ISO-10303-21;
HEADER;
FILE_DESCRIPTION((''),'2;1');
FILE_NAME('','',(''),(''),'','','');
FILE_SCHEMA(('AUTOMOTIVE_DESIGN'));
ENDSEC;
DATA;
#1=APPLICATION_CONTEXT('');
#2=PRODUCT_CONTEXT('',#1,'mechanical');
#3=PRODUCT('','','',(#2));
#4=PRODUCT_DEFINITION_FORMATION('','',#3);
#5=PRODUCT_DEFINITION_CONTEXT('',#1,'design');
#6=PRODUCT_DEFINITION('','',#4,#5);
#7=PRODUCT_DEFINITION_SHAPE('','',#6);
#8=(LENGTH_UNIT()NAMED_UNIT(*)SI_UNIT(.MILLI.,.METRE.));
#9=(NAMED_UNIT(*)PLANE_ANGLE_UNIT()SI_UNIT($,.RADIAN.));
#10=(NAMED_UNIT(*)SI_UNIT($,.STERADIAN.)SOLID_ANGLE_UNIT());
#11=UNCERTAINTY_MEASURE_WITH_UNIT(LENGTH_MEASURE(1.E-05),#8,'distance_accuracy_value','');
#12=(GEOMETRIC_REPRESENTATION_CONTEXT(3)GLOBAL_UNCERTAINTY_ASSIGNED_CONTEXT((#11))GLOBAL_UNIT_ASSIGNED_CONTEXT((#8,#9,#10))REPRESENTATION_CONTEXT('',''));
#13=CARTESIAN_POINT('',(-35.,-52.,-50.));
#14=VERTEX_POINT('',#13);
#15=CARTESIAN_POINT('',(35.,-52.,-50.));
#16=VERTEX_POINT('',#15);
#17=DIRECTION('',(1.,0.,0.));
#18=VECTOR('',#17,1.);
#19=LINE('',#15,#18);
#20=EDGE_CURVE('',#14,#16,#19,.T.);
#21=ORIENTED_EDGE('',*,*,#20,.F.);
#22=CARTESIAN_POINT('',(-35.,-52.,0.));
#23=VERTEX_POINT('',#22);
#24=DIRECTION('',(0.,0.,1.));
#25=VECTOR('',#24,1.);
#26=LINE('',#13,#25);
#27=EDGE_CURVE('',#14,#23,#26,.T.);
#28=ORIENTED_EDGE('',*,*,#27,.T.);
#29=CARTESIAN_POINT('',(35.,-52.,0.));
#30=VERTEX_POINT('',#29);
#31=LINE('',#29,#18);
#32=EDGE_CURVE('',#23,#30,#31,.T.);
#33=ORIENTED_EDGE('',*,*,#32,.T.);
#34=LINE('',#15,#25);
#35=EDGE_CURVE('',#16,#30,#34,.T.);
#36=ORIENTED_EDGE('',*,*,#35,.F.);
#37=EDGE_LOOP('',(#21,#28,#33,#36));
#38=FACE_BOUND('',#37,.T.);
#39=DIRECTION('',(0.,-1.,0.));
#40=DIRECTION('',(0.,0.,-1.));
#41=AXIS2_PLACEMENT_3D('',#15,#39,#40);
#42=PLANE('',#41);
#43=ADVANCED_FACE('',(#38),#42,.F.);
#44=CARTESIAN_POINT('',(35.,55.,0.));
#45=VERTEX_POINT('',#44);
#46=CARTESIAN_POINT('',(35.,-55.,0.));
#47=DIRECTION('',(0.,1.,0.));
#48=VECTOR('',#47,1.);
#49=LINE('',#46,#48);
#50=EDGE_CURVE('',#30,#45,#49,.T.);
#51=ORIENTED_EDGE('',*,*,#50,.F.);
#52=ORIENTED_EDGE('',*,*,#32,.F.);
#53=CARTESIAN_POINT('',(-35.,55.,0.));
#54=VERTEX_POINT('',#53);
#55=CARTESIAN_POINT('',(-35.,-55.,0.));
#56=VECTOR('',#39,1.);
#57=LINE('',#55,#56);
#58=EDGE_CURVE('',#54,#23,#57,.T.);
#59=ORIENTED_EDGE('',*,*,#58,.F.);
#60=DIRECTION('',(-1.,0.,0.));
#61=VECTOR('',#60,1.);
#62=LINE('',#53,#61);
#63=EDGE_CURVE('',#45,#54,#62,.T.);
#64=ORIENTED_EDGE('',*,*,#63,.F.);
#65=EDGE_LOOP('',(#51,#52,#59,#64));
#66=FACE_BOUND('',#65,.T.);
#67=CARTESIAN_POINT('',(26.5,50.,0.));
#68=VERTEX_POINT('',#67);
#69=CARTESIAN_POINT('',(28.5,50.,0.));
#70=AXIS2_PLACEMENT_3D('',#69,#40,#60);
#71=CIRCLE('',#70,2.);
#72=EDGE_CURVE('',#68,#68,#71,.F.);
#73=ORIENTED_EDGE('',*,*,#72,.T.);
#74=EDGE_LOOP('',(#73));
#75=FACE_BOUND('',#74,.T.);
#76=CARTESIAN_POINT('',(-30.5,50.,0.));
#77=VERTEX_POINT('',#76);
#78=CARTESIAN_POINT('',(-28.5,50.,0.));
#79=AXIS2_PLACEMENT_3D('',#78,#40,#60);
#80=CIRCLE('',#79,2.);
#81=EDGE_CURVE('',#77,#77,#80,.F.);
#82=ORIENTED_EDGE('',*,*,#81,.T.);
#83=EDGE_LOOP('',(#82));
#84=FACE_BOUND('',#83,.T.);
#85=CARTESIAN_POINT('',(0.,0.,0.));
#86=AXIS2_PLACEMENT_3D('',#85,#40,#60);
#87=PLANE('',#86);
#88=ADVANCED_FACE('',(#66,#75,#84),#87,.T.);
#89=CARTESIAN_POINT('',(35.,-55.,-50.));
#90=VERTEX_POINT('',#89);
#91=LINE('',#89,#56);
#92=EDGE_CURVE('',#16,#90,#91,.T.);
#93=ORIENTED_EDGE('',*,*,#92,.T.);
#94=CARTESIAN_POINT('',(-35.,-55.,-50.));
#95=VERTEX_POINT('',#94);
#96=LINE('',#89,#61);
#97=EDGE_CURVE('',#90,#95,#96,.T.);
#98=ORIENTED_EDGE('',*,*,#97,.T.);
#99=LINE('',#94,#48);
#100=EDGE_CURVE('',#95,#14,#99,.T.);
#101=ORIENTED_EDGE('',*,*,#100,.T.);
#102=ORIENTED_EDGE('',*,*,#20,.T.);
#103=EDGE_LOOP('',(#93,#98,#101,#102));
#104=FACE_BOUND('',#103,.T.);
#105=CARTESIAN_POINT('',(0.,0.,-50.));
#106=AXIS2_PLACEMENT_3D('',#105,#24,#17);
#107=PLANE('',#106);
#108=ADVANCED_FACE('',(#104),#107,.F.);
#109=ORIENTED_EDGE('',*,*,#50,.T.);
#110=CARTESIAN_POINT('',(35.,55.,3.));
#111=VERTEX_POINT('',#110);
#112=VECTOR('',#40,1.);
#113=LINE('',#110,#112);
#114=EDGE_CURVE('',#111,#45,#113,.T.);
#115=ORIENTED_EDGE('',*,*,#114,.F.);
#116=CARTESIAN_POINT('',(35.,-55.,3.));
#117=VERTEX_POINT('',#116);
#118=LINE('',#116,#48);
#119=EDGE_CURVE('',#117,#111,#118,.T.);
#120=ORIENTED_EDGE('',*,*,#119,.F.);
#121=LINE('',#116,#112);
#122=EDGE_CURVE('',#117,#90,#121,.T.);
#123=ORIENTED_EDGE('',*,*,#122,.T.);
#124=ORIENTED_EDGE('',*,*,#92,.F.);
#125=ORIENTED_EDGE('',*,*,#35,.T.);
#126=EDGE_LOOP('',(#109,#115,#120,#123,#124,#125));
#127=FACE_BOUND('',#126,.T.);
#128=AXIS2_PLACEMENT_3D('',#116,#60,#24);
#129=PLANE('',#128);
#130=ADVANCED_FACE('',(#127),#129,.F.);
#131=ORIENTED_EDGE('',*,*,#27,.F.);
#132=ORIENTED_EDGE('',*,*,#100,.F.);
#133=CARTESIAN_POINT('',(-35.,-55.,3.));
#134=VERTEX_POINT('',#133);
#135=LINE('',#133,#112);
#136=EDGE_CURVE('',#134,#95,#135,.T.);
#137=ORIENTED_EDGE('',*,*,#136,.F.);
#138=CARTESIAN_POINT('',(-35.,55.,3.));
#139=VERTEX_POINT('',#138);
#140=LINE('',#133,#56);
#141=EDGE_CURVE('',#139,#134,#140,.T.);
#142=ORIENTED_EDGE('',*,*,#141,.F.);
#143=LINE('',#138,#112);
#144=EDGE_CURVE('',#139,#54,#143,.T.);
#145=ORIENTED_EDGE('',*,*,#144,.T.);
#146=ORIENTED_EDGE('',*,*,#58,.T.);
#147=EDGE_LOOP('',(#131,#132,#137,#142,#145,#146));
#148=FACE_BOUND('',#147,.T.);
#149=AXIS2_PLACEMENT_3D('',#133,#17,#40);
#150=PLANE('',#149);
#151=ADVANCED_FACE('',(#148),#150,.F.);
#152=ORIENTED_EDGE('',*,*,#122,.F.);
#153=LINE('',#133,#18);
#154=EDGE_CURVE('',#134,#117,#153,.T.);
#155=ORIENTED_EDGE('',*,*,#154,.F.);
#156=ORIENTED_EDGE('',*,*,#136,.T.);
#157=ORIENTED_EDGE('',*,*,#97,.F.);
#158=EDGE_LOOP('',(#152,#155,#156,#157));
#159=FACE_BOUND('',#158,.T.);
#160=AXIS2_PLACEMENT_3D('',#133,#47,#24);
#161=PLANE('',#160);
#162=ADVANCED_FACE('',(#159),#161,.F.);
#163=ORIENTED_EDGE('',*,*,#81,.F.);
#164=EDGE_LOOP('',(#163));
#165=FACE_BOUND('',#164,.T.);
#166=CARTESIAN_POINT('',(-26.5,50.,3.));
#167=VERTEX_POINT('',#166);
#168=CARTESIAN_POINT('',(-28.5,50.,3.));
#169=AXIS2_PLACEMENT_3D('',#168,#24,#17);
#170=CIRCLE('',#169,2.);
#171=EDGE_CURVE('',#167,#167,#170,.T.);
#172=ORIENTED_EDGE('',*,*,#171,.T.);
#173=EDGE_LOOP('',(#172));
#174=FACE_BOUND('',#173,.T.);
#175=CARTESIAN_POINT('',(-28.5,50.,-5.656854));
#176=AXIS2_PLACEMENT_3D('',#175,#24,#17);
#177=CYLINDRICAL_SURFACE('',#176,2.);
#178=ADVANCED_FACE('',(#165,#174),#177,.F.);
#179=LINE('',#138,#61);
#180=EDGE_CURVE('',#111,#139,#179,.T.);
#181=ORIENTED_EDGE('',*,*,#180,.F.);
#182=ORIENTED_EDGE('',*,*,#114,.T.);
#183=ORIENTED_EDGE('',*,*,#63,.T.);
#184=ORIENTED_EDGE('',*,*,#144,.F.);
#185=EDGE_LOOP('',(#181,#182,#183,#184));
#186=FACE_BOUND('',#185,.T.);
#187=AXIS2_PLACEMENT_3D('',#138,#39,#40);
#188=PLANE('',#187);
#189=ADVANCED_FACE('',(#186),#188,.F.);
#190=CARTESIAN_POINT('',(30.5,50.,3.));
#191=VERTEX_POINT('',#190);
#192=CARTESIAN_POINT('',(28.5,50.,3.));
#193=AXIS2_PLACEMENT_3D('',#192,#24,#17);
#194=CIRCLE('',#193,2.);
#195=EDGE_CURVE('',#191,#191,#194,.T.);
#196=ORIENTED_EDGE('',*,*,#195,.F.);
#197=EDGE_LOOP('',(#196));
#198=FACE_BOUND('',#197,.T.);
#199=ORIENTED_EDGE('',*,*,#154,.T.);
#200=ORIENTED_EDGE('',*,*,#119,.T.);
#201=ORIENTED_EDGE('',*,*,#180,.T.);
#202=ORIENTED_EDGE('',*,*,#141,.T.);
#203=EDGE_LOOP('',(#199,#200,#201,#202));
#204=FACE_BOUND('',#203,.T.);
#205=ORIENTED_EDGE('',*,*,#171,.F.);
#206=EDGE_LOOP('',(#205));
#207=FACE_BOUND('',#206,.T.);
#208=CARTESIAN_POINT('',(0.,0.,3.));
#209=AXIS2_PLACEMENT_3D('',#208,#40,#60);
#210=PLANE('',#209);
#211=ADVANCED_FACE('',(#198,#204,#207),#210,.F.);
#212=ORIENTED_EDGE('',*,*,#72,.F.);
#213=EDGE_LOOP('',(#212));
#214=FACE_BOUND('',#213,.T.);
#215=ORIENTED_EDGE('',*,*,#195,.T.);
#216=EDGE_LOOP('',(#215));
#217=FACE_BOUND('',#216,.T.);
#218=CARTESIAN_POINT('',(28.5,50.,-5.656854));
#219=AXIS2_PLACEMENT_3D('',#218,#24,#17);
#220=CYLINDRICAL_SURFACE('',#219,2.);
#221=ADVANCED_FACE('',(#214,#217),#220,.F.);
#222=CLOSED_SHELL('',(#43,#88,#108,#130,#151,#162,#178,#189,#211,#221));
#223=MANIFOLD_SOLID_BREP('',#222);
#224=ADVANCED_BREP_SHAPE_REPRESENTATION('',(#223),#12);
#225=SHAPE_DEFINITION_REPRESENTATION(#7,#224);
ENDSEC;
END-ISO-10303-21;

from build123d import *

# Parameters (mm, degrees)
SKETCH1_W           = 70
SKETCH1_H           = 110
BOSS_EXTRUDE1_DEPTH = 3
SKETCH2_W           = 70
SKETCH2_H           = 3
BOSS_EXTRUDE2_DEPTH = 50
SKETCH3_R           = 2
CUT_EXTRUDE1_DEPTH  = 3


with BuildPart() as part:
    # Sketch1 → Boss-Extrude1 (new body)
    with BuildSketch(Plane.XY):
        Rectangle(SKETCH1_W, SKETCH1_H)
    extrude(amount=BOSS_EXTRUDE1_DEPTH)

    # Sketch2 → Boss-Extrude2 (add)
    with BuildSketch(Plane(origin=(0, 0, 0), x_dir=(-1, 0, 0), z_dir=(0, 0, -1))):
        with Locations((0, -53.5)):
            Rectangle(SKETCH2_W, SKETCH2_H)
    extrude(amount=BOSS_EXTRUDE2_DEPTH)

    # Sketch3 → Cut-Extrude1 (cut)
    with BuildSketch(Plane.XY.offset(3)):
        with Locations((-28.5, 50)):
            Circle(SKETCH3_R)
        with Locations((28.5, 50)):
            Circle(SKETCH3_R)
    extrude(amount=-CUT_EXTRUDE1_DEPTH, mode=Mode.SUBTRACT)


solid = part.part
